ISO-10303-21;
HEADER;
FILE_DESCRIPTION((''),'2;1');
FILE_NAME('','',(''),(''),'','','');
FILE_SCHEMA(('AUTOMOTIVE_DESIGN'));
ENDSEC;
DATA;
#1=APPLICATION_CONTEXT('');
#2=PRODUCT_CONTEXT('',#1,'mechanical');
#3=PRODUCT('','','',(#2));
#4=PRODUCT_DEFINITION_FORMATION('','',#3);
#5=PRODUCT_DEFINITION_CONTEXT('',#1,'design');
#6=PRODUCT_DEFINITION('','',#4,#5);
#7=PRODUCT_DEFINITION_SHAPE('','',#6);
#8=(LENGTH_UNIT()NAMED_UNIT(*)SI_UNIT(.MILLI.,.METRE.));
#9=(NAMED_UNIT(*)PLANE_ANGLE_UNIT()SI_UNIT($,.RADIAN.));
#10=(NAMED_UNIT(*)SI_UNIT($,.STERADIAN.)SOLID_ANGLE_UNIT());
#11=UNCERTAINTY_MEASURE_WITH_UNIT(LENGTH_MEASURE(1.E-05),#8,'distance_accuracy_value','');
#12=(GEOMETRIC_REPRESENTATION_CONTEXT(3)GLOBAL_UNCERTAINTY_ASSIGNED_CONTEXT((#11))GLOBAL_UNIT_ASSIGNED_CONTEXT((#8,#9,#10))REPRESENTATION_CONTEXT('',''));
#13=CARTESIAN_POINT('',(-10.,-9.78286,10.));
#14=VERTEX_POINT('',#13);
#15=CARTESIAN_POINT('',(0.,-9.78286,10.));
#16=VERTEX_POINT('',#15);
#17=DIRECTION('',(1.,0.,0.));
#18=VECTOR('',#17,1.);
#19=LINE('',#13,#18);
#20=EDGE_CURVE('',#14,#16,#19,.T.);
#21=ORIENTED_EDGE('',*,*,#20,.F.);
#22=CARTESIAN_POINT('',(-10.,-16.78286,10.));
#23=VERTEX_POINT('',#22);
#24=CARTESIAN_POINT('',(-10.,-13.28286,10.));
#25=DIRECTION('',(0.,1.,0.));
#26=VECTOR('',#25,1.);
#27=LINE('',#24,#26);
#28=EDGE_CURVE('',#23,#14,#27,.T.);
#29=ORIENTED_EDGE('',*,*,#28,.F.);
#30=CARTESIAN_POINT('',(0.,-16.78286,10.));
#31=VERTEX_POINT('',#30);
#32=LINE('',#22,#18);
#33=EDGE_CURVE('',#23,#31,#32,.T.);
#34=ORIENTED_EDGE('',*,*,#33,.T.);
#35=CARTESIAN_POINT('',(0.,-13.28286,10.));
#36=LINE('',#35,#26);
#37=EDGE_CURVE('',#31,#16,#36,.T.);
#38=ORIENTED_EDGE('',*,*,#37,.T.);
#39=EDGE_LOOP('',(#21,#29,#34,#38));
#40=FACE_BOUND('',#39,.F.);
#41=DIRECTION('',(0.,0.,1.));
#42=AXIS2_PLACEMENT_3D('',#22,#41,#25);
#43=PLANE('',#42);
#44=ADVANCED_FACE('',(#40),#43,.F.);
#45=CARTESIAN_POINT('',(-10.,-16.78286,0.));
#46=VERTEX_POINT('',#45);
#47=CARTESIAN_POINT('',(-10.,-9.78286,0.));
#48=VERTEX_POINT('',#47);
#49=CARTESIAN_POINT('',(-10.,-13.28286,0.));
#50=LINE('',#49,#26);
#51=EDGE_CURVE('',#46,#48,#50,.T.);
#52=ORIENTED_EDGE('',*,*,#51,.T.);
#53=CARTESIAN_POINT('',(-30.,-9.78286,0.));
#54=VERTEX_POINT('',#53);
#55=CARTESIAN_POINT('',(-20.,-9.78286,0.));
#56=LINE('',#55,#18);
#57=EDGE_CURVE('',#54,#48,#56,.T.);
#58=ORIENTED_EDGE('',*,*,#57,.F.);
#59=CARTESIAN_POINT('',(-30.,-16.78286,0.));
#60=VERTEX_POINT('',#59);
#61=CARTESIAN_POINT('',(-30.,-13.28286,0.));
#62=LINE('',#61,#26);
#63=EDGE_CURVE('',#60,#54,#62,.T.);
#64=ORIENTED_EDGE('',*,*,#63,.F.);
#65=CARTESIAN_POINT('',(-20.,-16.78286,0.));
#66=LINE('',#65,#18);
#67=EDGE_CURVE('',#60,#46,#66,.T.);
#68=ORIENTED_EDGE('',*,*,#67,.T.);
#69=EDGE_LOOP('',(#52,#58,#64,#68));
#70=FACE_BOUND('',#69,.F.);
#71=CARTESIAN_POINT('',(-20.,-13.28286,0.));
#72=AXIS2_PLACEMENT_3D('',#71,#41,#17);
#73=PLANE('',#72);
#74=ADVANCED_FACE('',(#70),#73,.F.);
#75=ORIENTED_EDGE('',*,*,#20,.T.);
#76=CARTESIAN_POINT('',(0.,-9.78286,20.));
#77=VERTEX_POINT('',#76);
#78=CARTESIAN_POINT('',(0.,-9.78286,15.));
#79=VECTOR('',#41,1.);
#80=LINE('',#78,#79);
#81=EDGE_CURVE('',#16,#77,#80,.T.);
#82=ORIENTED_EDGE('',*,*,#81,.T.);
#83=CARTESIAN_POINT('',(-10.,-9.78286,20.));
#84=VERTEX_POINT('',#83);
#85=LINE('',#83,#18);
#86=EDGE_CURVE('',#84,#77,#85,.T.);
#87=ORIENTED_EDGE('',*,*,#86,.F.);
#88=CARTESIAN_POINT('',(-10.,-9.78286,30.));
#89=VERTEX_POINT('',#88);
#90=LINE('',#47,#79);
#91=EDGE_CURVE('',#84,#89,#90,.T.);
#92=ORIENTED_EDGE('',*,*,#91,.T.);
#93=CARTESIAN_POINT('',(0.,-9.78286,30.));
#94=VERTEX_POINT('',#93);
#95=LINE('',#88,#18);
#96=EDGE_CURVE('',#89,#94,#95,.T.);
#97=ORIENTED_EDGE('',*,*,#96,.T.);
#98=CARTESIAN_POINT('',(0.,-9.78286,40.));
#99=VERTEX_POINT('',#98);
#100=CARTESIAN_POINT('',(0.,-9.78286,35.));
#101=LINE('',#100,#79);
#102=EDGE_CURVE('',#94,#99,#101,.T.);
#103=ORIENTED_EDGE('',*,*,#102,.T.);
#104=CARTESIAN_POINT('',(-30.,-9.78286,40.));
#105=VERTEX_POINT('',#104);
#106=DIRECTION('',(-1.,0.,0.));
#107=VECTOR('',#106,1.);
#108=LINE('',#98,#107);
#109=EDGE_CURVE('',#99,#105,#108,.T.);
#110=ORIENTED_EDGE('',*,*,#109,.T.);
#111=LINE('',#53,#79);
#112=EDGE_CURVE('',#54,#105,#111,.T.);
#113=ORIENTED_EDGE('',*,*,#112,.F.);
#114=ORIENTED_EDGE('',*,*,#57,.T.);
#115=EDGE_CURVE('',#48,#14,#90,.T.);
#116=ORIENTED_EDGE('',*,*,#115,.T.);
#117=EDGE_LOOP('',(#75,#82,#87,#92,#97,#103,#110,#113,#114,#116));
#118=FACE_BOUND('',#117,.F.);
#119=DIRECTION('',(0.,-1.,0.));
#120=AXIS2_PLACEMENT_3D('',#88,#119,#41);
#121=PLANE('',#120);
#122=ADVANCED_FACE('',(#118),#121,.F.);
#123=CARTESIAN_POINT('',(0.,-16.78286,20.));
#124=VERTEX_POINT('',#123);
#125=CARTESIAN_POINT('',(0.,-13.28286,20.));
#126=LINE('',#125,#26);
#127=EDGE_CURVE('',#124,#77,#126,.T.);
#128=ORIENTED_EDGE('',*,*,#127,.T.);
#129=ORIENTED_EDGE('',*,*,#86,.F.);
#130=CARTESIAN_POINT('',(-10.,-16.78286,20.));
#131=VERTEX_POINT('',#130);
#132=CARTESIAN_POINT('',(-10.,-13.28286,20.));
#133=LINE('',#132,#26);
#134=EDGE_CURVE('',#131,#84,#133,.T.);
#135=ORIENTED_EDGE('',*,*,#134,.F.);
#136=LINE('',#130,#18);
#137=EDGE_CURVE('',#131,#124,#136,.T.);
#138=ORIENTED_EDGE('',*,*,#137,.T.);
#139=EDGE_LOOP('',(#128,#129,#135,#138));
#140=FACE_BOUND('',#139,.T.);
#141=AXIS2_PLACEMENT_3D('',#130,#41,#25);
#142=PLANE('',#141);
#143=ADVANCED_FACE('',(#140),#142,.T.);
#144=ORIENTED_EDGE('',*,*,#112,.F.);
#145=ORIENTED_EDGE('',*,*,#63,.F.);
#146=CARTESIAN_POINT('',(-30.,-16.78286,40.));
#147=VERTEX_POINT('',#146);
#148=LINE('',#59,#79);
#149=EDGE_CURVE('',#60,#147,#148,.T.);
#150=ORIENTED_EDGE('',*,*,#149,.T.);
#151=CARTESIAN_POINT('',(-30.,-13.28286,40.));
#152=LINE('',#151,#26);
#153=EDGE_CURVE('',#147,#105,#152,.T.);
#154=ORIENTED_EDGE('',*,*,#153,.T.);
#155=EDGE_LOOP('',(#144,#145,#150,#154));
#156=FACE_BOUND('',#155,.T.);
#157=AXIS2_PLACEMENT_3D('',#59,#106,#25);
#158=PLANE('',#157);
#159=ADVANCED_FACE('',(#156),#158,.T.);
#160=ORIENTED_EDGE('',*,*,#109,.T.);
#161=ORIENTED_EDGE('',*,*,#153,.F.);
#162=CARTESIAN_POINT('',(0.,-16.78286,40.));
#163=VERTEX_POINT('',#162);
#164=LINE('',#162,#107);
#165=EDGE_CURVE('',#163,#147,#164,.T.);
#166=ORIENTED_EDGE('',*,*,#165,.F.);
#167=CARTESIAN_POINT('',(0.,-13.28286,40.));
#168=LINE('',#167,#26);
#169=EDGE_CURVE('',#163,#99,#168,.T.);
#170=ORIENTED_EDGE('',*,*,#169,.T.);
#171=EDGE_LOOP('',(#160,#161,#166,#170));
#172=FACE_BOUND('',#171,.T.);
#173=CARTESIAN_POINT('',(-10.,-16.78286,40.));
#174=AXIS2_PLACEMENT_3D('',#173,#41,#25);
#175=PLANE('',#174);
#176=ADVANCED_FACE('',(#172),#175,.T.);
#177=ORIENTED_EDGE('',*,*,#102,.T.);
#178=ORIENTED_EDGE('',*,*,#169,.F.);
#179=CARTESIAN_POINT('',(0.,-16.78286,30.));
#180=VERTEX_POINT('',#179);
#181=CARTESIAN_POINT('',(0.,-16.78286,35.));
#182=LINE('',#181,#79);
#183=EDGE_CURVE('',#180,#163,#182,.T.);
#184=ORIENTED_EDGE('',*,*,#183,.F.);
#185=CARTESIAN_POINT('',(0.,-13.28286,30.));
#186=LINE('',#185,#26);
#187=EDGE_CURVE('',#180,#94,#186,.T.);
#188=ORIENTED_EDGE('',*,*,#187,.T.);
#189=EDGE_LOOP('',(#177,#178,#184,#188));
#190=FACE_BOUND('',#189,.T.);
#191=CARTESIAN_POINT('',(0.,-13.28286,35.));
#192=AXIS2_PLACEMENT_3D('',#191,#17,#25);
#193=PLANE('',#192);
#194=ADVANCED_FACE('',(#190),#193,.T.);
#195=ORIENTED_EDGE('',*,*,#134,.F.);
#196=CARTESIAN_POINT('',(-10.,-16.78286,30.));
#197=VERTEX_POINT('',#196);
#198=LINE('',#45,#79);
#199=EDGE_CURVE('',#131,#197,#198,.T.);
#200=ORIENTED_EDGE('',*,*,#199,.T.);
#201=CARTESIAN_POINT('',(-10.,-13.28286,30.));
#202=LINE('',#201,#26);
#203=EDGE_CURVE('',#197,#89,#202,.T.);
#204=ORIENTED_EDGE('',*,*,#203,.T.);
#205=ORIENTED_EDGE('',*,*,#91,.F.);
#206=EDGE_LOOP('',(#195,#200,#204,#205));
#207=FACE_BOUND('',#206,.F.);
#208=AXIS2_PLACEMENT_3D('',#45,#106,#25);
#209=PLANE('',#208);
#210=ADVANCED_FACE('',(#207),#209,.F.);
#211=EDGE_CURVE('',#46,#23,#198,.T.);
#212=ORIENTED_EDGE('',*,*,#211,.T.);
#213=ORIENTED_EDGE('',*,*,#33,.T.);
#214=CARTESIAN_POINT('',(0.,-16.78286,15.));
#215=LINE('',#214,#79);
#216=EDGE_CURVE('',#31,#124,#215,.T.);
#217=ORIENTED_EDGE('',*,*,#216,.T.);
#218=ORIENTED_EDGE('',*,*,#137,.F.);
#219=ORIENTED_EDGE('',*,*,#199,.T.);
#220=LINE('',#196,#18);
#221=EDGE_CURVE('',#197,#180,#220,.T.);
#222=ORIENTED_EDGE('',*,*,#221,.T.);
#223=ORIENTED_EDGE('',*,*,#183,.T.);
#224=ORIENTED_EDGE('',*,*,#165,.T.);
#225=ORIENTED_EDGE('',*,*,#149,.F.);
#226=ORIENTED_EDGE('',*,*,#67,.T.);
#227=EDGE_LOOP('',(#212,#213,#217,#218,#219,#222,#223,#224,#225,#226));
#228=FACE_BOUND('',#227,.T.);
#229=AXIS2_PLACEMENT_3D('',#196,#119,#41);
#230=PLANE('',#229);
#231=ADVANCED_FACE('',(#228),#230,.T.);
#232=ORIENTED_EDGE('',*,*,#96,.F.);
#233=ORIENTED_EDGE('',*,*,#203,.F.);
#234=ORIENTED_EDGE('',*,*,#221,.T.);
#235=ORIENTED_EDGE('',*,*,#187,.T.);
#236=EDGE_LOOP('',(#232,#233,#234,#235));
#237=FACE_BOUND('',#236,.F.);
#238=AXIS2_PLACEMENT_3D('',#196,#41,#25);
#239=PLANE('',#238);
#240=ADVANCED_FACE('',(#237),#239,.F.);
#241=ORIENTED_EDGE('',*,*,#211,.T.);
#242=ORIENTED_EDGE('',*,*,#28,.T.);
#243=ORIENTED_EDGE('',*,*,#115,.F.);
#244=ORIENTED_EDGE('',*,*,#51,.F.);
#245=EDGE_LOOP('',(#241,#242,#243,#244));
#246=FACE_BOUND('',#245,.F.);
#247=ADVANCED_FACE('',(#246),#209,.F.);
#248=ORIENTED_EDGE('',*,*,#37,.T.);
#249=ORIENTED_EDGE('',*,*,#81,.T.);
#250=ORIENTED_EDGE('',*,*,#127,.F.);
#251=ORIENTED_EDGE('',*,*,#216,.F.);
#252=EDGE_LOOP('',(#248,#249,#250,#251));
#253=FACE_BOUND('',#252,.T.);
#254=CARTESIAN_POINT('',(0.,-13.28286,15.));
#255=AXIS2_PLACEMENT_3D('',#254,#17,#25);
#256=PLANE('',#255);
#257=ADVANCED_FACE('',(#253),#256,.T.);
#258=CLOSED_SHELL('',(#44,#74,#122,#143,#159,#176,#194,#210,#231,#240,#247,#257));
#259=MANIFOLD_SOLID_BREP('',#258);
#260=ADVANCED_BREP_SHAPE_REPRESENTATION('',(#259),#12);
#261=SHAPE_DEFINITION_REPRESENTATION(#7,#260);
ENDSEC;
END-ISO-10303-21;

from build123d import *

# Parameters (mm, degrees)
F0_W     = 20
F0_H     = 7
F1_DEPTH = 40
F2_W     = 7
F2_H     = 10
F3_DEPTH = 10


with BuildPart() as f1:
    # F0 (on Top) → F1 (new body)
    with BuildSketch(Plane.XY):
        with Locations((-20, -13.28286)):
            Rectangle(F0_W, F0_H)
    extrude(amount=F1_DEPTH)

    # F2 (on face) → F3 (join)
    with BuildSketch(Plane.YZ.offset(-10)):
        with Locations((-13.28286, 35)):
            Rectangle(F2_W, F2_H)
        with Locations((-13.28286, 15)):
            Rectangle(F2_W, F2_H)
    extrude(amount=F3_DEPTH)


solid = f1.part
